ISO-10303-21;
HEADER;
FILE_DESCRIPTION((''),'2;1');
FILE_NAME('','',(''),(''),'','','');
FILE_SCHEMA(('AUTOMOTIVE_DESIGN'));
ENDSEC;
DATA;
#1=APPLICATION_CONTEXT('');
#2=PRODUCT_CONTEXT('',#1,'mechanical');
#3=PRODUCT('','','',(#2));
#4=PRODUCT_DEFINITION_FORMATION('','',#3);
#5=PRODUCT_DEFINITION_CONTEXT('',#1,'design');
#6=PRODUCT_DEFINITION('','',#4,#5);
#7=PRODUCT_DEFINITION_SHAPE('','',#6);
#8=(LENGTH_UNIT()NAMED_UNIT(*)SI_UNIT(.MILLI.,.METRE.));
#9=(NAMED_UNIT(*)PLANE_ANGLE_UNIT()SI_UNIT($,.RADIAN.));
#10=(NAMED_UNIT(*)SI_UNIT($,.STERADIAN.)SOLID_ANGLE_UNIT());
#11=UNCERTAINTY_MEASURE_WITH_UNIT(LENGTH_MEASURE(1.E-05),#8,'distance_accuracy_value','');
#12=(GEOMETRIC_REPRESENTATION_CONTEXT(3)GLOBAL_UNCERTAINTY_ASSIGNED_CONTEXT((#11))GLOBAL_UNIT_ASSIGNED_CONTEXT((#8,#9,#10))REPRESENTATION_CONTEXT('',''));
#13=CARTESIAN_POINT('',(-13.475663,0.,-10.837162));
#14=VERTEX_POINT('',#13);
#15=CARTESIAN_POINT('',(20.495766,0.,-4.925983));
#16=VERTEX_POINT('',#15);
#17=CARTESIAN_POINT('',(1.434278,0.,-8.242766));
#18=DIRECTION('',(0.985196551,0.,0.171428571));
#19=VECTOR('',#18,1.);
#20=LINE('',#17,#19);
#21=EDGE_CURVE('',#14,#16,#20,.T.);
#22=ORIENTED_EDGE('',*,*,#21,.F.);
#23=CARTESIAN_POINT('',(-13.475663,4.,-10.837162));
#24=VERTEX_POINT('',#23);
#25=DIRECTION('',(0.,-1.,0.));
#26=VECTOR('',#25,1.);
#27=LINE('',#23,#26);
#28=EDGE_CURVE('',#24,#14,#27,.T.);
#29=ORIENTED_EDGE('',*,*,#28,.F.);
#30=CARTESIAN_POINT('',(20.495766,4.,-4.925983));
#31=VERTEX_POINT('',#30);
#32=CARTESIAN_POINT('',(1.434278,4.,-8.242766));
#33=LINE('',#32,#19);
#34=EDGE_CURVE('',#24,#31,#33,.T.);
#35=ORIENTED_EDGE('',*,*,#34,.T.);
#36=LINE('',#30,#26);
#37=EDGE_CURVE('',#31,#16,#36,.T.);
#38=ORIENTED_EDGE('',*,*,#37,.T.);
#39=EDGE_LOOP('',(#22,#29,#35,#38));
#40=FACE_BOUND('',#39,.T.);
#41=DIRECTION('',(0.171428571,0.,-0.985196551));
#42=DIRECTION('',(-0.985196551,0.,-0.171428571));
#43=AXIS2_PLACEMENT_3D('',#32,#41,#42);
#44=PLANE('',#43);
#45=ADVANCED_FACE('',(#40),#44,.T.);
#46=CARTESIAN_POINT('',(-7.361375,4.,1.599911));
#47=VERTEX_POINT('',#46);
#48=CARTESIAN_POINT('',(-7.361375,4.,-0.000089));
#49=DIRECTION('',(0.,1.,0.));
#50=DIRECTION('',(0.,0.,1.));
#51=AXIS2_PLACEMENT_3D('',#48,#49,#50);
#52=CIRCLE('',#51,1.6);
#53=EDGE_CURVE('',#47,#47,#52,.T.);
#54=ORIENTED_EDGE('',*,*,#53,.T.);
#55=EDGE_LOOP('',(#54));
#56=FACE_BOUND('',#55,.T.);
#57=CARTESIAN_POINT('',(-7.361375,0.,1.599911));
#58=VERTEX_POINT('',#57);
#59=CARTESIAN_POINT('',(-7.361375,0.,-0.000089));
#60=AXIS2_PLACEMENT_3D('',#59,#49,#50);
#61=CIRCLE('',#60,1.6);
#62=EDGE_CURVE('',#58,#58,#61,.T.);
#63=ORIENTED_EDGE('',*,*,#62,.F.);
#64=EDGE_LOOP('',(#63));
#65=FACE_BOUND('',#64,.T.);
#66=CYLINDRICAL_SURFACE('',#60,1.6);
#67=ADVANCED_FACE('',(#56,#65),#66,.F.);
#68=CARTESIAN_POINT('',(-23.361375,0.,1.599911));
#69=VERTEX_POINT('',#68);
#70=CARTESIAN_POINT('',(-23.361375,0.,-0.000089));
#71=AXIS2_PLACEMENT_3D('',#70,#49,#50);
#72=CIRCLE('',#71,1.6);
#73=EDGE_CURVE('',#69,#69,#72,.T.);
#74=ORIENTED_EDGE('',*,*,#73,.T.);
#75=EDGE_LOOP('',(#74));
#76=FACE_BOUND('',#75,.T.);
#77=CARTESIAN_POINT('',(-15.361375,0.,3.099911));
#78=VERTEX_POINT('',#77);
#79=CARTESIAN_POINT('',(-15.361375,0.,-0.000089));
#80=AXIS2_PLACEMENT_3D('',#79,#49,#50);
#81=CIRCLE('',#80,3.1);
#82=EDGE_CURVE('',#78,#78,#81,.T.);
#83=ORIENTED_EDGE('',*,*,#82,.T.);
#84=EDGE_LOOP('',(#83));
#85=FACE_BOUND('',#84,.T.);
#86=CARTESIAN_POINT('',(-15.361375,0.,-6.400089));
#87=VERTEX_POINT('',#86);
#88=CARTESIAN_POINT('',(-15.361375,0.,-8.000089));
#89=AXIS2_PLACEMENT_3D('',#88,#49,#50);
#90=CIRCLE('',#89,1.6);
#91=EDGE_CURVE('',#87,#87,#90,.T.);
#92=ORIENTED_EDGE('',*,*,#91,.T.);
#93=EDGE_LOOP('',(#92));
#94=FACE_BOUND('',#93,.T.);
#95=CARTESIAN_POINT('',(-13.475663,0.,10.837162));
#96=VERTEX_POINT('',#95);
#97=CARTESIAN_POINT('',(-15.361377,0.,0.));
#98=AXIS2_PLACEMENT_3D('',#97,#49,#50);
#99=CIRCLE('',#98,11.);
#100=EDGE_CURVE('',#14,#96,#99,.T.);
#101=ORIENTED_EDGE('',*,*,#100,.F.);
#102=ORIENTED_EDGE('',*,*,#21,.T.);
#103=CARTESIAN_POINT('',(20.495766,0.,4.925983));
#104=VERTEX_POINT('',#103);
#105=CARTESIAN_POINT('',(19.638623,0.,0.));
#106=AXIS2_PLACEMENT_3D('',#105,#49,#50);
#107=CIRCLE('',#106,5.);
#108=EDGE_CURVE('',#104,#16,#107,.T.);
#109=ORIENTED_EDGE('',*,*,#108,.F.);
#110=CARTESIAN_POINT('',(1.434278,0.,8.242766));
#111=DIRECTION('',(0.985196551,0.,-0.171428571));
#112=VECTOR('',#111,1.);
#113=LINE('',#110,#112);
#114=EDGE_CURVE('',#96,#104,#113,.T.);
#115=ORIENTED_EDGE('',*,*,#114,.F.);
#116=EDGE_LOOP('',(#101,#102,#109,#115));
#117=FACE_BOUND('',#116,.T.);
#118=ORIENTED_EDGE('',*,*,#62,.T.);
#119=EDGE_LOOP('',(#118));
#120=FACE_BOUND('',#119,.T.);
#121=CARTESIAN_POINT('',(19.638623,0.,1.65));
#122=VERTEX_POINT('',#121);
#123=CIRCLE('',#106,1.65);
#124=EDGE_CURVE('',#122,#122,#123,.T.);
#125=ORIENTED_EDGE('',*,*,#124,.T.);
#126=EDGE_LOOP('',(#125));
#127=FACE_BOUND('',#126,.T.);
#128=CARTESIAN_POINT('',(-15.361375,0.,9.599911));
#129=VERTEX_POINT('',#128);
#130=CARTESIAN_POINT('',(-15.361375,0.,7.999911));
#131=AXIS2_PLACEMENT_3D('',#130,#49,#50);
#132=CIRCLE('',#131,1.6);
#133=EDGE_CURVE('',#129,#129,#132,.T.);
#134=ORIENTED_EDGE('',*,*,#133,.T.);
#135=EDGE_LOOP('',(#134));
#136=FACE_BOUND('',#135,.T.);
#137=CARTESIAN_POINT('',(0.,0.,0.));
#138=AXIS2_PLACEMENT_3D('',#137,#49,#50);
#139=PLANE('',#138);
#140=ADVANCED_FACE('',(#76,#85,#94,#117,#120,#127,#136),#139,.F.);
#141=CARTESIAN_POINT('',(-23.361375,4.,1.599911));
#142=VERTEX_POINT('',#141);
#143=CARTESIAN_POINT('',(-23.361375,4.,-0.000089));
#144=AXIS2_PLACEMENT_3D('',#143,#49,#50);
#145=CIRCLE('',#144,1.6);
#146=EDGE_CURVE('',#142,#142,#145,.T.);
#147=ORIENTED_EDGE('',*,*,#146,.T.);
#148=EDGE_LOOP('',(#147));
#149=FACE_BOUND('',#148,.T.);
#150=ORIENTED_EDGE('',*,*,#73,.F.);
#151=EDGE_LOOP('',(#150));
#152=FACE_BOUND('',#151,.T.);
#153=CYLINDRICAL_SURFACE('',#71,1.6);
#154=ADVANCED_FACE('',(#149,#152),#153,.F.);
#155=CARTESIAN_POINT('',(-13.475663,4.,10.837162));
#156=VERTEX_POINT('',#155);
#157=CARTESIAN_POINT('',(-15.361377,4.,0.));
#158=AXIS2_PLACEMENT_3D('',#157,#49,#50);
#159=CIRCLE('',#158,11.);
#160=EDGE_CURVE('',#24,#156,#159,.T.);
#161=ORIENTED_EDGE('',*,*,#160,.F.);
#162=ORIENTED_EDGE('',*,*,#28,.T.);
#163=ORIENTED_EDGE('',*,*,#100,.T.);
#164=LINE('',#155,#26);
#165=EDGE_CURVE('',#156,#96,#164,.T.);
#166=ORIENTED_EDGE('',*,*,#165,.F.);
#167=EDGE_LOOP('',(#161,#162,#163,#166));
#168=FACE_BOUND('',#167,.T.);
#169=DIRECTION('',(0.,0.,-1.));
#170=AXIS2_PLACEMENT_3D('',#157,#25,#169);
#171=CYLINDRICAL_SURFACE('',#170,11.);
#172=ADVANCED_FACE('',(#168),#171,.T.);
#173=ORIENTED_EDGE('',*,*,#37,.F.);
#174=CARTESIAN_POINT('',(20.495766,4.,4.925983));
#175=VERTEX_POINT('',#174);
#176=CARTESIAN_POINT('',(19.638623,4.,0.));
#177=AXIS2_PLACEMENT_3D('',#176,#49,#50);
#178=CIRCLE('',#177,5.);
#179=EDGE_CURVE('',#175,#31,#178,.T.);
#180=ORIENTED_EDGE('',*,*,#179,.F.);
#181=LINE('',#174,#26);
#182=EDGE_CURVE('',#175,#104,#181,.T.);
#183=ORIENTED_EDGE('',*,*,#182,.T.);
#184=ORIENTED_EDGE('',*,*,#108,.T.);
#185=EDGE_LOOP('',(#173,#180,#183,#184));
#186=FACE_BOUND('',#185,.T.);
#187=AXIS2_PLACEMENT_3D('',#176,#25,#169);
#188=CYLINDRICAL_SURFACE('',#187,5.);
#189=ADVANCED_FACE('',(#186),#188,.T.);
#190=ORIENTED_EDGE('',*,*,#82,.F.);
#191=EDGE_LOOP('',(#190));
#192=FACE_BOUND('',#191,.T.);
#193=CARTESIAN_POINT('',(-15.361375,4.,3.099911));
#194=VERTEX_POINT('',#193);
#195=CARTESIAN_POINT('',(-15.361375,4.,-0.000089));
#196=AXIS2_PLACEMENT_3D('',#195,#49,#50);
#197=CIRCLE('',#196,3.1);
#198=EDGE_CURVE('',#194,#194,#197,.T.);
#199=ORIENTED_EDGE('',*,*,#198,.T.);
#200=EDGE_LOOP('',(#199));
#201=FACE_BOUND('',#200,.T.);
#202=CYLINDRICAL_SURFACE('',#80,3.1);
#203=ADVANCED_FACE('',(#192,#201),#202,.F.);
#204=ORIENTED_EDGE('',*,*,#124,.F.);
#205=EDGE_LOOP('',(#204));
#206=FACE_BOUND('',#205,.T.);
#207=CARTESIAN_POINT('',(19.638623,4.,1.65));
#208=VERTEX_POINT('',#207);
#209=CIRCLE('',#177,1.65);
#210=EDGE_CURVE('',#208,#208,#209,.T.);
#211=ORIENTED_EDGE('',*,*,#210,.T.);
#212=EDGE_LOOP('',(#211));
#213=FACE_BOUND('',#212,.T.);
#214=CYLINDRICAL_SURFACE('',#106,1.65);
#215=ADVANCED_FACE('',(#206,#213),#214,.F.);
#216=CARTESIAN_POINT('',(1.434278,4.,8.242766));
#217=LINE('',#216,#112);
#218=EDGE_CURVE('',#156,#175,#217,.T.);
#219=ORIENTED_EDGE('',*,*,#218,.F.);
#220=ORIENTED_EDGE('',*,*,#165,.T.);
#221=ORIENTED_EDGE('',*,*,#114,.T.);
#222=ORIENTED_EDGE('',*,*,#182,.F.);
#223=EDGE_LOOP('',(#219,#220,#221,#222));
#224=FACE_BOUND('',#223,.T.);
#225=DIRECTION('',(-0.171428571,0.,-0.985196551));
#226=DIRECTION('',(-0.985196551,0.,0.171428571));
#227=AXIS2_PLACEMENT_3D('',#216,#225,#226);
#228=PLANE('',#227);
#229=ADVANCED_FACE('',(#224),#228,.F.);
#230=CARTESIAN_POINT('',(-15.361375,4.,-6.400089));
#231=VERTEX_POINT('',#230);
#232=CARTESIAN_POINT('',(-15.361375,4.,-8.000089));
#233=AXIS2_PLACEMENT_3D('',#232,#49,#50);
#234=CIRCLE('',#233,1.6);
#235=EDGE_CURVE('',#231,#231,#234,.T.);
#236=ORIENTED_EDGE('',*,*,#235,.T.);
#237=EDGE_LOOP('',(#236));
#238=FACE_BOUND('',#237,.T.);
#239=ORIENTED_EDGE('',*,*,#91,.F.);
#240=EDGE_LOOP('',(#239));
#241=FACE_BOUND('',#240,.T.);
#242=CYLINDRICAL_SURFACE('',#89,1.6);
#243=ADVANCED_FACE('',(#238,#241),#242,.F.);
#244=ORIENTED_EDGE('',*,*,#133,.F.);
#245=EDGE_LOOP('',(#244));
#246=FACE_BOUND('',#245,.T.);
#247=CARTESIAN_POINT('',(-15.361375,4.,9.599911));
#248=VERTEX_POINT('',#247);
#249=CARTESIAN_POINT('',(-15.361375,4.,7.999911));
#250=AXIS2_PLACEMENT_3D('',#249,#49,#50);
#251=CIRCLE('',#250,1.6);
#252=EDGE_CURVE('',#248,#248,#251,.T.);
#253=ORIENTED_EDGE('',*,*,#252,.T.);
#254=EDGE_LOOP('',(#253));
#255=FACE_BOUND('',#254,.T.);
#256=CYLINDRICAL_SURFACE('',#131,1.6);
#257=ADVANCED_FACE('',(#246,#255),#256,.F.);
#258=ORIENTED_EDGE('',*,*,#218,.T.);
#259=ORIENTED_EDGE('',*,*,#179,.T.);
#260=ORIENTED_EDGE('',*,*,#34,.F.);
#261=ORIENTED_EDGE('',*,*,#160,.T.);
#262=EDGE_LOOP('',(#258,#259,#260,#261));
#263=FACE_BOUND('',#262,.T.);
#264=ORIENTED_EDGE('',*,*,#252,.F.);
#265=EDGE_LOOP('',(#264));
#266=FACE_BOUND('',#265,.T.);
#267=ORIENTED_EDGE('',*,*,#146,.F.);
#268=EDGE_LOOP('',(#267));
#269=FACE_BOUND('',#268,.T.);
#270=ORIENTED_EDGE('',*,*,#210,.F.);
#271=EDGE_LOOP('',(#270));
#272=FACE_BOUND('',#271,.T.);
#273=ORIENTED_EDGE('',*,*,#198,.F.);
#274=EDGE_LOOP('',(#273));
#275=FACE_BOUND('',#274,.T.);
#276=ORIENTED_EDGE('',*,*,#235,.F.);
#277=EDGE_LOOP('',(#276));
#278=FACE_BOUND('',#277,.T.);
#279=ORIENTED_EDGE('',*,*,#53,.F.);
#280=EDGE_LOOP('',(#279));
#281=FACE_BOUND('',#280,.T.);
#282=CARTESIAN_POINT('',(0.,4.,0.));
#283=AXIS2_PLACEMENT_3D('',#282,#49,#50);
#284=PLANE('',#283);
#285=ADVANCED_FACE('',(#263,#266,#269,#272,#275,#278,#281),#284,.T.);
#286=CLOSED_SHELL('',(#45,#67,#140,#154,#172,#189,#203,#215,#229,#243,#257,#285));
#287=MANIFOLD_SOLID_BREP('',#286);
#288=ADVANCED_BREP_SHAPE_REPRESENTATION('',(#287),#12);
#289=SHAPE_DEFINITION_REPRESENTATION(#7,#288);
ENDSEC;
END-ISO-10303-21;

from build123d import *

# Parameters (mm, degrees)
EXTRUDE_1_DEPTH     = 4
SKETCH_3_R          = 3.1
SKETCH_3_R_2        = 1.6
SKETCH_3_R_3        = 1.65
CUT_EXTRUDE_1_DEPTH = 4


with BuildPart() as part:
    # 草图1 → 凸台-拉伸1 (new body)
    with BuildSketch(Plane(origin=(0, 0, 0), x_dir=(1, 0, 0), z_dir=(0, 1, 0))):
        with BuildLine():
            Line((20.495765525, 4.925982785), (-13.475662945, 10.837162075))
            ThreePointArc((-13.475662945, 10.837162075), (-26.361377172, 4.5e-08), (-13.475663034, -10.837162091))
            Line((-13.475663034, -10.837162091), (20.495765576, -4.925982776))
            ThreePointArc((20.495765576, -4.925982776), (24.638622828, 2.6e-08), (20.495765525, 4.925982785))
        make_face()
    extrude(amount=EXTRUDE_1_DEPTH)

    # 草图3 → 切除-拉伸1 (cut)
    with BuildSketch(Plane(origin=(0, 4, 0), x_dir=(1, 0, 0), z_dir=(0, 1, 0))):
        with Locations(Location((-15.36137507, 8.881e-05, 0), (0, 0, 270))):
            Circle(SKETCH_3_R)
        with Locations(Location((-23.36137507, 8.881e-05, 0), (0, 0, 270))):
            Circle(SKETCH_3_R_2)
        with Locations(Location((-15.36137507, 8.00008881, 0), (0, 0, 270))):
            Circle(SKETCH_3_R_2)
        with Locations(Location((-7.36137507, 8.881e-05, 0), (0, 0, 270))):
            Circle(SKETCH_3_R_2)
        with Locations(Location((-15.36137507, -7.99991119, 0), (0, 0, 270))):
            Circle(SKETCH_3_R_2)
        with Locations(Location((19.638622828, 0, 0), (0, 0, 270))):
            Circle(SKETCH_3_R_3)
    extrude(amount=-CUT_EXTRUDE_1_DEPTH, mode=Mode.SUBTRACT)


solid = part.part
